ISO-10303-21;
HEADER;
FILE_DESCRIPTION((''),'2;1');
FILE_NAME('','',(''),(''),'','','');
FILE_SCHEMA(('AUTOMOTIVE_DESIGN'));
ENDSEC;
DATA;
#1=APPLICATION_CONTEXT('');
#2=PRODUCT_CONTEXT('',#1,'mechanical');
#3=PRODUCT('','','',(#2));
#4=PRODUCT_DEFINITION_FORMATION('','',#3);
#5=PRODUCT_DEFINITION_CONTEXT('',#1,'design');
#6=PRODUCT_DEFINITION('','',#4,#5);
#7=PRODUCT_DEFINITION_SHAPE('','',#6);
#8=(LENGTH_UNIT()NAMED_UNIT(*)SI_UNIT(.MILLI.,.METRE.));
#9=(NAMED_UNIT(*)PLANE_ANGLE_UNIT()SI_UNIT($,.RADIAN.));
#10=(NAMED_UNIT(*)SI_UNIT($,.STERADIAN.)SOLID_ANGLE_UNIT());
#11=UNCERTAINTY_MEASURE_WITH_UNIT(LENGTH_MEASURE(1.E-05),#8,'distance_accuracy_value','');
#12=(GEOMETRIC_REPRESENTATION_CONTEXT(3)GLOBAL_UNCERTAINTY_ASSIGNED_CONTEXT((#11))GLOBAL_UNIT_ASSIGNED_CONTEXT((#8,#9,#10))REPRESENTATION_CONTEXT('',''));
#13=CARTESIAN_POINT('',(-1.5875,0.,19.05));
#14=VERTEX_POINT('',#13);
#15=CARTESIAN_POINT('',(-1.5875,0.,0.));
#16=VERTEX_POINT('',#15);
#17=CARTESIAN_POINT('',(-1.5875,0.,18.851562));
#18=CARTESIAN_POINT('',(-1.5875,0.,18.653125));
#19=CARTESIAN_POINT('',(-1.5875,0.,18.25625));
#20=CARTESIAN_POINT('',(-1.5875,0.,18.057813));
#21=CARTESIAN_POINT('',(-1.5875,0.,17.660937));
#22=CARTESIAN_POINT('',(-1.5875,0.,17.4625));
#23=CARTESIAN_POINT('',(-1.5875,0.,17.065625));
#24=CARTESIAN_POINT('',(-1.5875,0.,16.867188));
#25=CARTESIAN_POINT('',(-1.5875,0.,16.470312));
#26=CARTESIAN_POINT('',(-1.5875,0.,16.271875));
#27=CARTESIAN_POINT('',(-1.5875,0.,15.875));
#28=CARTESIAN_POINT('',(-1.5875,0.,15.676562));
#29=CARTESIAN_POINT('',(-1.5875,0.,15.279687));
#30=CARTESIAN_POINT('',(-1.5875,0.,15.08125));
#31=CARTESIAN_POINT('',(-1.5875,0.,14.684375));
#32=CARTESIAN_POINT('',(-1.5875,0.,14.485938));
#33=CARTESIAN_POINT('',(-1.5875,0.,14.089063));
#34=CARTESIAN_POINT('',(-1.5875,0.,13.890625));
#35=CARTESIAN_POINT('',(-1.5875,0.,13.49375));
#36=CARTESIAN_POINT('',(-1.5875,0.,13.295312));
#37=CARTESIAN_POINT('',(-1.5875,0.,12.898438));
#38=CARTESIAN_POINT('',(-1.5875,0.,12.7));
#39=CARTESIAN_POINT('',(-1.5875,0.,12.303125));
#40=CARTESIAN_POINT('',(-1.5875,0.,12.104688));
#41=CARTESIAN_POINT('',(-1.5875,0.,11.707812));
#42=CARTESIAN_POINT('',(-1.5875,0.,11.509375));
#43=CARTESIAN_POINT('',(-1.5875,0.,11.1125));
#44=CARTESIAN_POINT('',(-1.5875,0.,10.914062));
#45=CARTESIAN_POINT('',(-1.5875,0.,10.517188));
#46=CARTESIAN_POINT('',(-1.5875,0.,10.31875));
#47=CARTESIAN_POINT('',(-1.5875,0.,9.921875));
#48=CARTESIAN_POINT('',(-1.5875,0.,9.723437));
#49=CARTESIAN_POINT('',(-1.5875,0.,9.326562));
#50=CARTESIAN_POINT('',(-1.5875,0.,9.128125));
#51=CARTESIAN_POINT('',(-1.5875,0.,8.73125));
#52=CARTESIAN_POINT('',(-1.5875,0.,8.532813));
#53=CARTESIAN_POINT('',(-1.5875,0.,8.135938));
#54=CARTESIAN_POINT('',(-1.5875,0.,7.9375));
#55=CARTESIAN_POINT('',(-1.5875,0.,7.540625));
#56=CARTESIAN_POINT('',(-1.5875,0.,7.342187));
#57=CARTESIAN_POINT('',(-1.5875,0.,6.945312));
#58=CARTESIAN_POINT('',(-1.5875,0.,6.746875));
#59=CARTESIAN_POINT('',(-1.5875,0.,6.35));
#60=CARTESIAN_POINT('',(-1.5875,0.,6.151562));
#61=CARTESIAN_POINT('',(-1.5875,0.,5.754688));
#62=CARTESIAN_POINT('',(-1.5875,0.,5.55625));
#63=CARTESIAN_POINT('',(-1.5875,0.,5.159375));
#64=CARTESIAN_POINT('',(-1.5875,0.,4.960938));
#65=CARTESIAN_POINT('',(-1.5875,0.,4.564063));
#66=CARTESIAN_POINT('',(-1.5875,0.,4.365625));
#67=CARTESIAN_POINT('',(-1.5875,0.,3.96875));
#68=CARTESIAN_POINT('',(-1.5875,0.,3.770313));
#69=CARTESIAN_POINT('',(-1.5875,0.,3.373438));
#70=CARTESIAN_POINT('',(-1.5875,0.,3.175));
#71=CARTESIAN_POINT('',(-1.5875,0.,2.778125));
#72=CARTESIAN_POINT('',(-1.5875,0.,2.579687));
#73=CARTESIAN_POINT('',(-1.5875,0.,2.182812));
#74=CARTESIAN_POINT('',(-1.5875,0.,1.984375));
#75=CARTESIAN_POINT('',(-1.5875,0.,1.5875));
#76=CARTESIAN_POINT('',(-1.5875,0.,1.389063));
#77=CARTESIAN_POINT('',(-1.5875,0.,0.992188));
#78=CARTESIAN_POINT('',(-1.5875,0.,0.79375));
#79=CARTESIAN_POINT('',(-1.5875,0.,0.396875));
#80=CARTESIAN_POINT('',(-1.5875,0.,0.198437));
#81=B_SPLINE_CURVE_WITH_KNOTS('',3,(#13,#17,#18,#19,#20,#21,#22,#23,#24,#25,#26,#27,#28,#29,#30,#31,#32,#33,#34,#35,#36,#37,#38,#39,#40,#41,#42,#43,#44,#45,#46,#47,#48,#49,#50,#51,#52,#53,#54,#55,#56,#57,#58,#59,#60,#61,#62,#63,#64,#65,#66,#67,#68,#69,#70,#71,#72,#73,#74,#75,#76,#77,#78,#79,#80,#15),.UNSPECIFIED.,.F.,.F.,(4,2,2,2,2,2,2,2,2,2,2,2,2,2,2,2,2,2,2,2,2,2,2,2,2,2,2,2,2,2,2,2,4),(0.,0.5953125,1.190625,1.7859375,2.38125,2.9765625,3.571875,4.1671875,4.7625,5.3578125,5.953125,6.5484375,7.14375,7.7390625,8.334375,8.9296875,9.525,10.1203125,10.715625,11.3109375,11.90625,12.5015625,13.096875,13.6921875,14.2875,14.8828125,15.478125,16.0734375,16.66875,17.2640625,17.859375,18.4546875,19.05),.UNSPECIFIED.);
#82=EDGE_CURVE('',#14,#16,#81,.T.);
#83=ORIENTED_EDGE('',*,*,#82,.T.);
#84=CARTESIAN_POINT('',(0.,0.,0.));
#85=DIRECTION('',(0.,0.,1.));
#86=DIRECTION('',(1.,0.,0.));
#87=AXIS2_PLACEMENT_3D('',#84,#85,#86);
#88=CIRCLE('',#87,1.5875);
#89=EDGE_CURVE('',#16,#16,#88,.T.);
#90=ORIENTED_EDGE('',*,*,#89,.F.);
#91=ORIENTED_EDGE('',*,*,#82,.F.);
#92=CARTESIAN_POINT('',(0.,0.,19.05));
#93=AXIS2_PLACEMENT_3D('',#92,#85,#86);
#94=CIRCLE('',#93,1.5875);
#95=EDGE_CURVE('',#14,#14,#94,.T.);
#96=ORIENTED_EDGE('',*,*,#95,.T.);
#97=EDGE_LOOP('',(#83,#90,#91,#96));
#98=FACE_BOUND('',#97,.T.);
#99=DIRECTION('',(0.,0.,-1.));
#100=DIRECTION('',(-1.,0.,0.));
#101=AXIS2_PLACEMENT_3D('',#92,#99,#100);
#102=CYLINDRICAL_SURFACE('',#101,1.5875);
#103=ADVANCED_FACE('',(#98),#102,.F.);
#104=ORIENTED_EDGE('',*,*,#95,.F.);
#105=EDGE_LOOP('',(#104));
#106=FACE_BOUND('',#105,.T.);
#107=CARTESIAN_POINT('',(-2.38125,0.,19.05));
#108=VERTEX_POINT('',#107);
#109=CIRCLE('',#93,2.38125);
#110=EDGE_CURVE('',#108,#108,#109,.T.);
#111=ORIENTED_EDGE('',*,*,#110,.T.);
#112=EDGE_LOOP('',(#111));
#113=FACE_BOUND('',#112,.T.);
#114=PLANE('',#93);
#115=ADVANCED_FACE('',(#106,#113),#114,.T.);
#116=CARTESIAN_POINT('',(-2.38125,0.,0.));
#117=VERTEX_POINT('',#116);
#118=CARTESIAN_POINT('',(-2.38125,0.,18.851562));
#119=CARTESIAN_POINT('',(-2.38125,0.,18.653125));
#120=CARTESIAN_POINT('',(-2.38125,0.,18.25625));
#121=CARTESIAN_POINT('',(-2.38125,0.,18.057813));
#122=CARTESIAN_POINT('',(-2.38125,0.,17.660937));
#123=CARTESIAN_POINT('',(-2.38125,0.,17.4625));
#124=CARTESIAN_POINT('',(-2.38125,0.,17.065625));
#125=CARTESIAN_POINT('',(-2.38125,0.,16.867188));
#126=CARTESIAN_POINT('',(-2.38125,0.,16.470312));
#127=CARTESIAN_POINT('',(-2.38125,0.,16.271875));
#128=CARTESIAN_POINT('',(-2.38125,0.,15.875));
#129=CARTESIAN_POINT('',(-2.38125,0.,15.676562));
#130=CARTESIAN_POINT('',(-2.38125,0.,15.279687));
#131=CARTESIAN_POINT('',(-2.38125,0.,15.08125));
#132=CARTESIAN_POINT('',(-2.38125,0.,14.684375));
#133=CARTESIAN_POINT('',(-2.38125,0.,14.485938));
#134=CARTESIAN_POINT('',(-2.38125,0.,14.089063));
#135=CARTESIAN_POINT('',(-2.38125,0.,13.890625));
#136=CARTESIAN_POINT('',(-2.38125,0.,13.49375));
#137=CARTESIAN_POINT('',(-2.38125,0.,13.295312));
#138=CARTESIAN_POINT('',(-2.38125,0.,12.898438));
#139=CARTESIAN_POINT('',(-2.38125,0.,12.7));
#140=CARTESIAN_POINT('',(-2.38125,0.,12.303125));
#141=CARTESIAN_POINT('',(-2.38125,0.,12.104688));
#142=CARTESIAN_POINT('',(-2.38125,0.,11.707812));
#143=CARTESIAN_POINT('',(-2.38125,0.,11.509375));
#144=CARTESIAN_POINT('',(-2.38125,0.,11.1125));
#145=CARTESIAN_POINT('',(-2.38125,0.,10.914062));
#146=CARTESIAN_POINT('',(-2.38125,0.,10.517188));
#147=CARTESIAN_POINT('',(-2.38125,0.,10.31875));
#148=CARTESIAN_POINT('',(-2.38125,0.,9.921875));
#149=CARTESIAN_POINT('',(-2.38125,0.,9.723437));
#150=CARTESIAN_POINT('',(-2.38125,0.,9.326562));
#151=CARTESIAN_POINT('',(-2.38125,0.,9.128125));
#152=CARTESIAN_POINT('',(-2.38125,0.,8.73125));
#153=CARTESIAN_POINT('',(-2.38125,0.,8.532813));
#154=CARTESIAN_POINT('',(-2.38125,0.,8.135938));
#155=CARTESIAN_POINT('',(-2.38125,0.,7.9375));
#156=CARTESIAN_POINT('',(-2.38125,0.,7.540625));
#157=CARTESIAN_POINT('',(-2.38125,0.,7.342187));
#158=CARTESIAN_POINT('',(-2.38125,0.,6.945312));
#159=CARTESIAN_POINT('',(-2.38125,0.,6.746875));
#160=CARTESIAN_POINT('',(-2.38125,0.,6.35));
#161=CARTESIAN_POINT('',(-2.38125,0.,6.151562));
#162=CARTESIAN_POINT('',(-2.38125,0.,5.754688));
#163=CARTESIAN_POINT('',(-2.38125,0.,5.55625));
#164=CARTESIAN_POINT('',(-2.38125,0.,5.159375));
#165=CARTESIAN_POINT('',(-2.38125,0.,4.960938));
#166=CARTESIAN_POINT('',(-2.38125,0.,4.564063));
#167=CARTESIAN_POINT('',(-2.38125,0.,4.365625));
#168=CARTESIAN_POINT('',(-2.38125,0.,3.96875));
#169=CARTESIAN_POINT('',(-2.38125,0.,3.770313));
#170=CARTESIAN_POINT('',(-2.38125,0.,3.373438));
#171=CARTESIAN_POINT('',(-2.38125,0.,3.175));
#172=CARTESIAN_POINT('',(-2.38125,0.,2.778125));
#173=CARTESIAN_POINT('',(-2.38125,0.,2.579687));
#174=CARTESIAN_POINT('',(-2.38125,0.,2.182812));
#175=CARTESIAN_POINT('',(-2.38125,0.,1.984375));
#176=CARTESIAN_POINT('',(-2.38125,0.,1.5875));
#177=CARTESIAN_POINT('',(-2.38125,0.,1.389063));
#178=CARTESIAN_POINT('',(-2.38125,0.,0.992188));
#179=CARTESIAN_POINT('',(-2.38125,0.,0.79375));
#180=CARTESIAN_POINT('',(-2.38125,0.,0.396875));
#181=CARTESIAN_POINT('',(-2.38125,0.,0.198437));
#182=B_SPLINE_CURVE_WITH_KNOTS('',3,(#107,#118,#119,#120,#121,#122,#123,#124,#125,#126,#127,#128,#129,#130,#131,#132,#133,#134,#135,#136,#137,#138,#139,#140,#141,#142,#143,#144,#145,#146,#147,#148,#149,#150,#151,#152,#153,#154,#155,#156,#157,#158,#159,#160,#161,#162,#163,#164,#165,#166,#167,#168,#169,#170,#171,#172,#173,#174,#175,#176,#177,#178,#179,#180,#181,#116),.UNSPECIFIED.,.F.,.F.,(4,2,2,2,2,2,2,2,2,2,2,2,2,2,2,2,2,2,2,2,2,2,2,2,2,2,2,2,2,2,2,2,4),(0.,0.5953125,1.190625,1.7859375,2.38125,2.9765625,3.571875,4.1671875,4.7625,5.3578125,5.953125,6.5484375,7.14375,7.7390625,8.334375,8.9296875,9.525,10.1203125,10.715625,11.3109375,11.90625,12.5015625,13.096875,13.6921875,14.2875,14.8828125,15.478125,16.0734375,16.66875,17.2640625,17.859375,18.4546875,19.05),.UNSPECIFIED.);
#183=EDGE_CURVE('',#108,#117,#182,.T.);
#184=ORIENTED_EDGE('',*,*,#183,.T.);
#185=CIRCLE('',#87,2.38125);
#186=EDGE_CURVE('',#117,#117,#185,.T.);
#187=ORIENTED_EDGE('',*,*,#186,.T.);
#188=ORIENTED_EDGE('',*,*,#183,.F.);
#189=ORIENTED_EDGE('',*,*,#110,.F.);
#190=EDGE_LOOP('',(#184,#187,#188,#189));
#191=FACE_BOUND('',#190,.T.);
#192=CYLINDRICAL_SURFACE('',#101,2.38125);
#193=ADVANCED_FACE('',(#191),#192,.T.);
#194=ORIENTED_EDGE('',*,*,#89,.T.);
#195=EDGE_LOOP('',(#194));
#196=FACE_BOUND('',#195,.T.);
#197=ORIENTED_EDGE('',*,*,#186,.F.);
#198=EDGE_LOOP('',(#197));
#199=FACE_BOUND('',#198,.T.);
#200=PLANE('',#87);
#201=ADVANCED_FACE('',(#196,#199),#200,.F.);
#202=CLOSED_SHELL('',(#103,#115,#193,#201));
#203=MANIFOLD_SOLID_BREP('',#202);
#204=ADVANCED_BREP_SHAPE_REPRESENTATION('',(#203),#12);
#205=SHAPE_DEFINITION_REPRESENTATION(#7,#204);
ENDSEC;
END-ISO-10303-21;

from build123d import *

# Parameters (mm, degrees)
SKETCH1_R           = 2.38125
SKETCH1_R_2         = 1.5875
BOSS_EXTRUDE1_DEPTH = 19.05


with BuildPart() as part:
    # Sketch1 → Boss-Extrude1 (new body)
    with BuildSketch(Plane.XY):
        with Locations(Location((0, 0, 0), (0, 0, 180))):
            Circle(SKETCH1_R)
        with Locations(Location((0, 0, 0), (0, 0, 180))):
            Circle(SKETCH1_R_2, mode=Mode.SUBTRACT)
    extrude(amount=BOSS_EXTRUDE1_DEPTH)


solid = part.part
